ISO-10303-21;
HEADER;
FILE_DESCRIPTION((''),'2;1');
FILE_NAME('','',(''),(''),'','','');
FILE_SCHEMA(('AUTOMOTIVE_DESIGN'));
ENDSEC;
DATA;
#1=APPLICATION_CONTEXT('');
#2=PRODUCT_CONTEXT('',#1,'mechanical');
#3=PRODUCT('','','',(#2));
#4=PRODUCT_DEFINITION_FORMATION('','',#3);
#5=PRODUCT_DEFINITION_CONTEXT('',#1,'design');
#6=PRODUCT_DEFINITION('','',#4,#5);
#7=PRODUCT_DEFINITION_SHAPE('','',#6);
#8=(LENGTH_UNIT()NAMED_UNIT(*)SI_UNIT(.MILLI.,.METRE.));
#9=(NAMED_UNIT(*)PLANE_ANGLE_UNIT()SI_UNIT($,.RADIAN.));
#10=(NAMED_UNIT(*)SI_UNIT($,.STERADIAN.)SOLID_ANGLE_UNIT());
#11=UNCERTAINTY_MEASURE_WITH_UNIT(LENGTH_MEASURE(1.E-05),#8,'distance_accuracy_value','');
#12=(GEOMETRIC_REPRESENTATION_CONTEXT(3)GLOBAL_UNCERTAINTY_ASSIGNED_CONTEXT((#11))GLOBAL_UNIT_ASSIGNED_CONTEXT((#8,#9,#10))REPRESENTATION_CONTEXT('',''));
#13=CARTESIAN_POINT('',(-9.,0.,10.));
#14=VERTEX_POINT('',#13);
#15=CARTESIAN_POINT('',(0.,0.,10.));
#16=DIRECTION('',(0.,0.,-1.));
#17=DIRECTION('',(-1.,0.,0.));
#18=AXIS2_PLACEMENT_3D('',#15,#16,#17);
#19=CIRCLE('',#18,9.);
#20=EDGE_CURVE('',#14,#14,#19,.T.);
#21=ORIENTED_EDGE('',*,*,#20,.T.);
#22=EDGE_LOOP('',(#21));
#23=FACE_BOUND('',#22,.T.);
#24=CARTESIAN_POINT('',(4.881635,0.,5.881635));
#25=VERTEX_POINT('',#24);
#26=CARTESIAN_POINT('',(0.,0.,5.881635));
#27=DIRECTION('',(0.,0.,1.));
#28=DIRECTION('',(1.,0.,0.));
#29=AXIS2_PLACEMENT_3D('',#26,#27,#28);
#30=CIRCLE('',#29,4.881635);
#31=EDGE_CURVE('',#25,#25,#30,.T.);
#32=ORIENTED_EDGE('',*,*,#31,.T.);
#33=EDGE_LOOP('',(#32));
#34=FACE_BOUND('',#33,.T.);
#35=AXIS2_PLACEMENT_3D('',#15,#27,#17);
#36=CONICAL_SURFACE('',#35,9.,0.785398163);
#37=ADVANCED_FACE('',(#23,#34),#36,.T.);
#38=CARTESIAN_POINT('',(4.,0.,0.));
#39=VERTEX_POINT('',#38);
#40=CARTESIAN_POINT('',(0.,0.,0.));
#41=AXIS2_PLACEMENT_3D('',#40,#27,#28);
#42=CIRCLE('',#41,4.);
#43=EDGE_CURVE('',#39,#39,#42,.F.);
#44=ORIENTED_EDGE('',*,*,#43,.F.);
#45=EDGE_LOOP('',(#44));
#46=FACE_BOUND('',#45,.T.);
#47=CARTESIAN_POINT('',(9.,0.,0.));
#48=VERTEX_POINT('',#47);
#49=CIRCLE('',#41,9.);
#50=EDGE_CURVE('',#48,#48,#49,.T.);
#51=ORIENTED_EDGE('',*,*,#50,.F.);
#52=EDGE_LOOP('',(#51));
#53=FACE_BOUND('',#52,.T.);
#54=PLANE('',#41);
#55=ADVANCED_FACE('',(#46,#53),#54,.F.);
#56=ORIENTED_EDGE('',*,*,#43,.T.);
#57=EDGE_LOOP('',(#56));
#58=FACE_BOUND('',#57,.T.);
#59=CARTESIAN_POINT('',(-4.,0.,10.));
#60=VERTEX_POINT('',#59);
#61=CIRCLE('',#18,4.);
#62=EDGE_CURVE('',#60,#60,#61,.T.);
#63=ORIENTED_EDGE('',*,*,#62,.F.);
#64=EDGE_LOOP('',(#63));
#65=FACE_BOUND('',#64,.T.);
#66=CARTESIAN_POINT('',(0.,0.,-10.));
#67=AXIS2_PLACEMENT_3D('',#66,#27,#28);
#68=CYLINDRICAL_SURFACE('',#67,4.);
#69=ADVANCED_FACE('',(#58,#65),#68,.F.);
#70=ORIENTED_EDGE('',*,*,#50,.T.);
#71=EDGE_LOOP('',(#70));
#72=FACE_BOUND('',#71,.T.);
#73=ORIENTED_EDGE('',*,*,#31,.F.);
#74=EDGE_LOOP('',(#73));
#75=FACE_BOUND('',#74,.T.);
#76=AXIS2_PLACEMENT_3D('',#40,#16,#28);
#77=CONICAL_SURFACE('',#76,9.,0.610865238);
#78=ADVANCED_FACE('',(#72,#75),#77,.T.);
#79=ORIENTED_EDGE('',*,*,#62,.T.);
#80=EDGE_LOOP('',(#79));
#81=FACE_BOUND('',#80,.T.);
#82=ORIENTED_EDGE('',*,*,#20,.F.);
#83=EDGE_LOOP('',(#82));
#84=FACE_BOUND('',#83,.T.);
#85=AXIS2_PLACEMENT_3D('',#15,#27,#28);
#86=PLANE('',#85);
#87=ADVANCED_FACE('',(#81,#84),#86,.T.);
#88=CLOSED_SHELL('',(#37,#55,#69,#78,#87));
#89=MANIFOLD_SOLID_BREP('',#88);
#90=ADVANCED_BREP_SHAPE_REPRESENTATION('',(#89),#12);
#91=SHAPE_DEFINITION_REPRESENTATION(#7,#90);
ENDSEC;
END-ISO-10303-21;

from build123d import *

# Parameters (mm, degrees)
SKETCH1_R           = 9
BOSS_EXTRUDE1_DEPTH = 10
BOSS_EXTRUDE1_TAPER = 35
SKETCH2_R           = 9
BOSS_EXTRUDE2_DEPTH = 10
BOSS_EXTRUDE2_DRAFT = 45
SKETCH3_R           = 4
CUT_EXTRUDE1_DEPTH  = 20


with BuildPart() as part:
    # Sketch1 → Boss-Extrude1 (new body)
    with BuildSketch(Plane.XY):
        Circle(SKETCH1_R)
    extrude(amount=BOSS_EXTRUDE1_DEPTH, taper=BOSS_EXTRUDE1_TAPER)


with BuildPart() as boss_extrude2_tool:
    # Sketch2 → Boss-Extrude2 (with draft: the straight prism first)
    with BuildSketch(Plane(origin=(0, 0, 10), x_dir=(-1, 0, 0), z_dir=(0, 0, -1))):
        Circle(SKETCH2_R)
    extrude(amount=BOSS_EXTRUDE2_DEPTH)
    # Boss-Extrude2: the draft: its side faces are tilted about the plane it starts from
    boss_extrude2_sides = [boss_extrude2_tool.faces().sort_by_distance(p)[0] for p in [
        (9, 0, 5),
    ]]
    draft(boss_extrude2_sides, Plane(origin=(0, 0, 10), x_dir=(-1, 0, 0), z_dir=(0, 0, -1)), BOSS_EXTRUDE2_DRAFT)


with BuildPart() as part_1:
    add(part.part)

    # Boss-Extrude2: add boss_extrude2_tool
    add(boss_extrude2_tool.part)

    # Sketch3 → Cut-Extrude1 (cut)
    with BuildSketch(Plane(origin=(0, 0, 10), x_dir=(-1, 0, 0), z_dir=(0, 0, -1))):
        Circle(SKETCH3_R)
    extrude(amount=CUT_EXTRUDE1_DEPTH, mode=Mode.SUBTRACT)


solid = part_1.part
